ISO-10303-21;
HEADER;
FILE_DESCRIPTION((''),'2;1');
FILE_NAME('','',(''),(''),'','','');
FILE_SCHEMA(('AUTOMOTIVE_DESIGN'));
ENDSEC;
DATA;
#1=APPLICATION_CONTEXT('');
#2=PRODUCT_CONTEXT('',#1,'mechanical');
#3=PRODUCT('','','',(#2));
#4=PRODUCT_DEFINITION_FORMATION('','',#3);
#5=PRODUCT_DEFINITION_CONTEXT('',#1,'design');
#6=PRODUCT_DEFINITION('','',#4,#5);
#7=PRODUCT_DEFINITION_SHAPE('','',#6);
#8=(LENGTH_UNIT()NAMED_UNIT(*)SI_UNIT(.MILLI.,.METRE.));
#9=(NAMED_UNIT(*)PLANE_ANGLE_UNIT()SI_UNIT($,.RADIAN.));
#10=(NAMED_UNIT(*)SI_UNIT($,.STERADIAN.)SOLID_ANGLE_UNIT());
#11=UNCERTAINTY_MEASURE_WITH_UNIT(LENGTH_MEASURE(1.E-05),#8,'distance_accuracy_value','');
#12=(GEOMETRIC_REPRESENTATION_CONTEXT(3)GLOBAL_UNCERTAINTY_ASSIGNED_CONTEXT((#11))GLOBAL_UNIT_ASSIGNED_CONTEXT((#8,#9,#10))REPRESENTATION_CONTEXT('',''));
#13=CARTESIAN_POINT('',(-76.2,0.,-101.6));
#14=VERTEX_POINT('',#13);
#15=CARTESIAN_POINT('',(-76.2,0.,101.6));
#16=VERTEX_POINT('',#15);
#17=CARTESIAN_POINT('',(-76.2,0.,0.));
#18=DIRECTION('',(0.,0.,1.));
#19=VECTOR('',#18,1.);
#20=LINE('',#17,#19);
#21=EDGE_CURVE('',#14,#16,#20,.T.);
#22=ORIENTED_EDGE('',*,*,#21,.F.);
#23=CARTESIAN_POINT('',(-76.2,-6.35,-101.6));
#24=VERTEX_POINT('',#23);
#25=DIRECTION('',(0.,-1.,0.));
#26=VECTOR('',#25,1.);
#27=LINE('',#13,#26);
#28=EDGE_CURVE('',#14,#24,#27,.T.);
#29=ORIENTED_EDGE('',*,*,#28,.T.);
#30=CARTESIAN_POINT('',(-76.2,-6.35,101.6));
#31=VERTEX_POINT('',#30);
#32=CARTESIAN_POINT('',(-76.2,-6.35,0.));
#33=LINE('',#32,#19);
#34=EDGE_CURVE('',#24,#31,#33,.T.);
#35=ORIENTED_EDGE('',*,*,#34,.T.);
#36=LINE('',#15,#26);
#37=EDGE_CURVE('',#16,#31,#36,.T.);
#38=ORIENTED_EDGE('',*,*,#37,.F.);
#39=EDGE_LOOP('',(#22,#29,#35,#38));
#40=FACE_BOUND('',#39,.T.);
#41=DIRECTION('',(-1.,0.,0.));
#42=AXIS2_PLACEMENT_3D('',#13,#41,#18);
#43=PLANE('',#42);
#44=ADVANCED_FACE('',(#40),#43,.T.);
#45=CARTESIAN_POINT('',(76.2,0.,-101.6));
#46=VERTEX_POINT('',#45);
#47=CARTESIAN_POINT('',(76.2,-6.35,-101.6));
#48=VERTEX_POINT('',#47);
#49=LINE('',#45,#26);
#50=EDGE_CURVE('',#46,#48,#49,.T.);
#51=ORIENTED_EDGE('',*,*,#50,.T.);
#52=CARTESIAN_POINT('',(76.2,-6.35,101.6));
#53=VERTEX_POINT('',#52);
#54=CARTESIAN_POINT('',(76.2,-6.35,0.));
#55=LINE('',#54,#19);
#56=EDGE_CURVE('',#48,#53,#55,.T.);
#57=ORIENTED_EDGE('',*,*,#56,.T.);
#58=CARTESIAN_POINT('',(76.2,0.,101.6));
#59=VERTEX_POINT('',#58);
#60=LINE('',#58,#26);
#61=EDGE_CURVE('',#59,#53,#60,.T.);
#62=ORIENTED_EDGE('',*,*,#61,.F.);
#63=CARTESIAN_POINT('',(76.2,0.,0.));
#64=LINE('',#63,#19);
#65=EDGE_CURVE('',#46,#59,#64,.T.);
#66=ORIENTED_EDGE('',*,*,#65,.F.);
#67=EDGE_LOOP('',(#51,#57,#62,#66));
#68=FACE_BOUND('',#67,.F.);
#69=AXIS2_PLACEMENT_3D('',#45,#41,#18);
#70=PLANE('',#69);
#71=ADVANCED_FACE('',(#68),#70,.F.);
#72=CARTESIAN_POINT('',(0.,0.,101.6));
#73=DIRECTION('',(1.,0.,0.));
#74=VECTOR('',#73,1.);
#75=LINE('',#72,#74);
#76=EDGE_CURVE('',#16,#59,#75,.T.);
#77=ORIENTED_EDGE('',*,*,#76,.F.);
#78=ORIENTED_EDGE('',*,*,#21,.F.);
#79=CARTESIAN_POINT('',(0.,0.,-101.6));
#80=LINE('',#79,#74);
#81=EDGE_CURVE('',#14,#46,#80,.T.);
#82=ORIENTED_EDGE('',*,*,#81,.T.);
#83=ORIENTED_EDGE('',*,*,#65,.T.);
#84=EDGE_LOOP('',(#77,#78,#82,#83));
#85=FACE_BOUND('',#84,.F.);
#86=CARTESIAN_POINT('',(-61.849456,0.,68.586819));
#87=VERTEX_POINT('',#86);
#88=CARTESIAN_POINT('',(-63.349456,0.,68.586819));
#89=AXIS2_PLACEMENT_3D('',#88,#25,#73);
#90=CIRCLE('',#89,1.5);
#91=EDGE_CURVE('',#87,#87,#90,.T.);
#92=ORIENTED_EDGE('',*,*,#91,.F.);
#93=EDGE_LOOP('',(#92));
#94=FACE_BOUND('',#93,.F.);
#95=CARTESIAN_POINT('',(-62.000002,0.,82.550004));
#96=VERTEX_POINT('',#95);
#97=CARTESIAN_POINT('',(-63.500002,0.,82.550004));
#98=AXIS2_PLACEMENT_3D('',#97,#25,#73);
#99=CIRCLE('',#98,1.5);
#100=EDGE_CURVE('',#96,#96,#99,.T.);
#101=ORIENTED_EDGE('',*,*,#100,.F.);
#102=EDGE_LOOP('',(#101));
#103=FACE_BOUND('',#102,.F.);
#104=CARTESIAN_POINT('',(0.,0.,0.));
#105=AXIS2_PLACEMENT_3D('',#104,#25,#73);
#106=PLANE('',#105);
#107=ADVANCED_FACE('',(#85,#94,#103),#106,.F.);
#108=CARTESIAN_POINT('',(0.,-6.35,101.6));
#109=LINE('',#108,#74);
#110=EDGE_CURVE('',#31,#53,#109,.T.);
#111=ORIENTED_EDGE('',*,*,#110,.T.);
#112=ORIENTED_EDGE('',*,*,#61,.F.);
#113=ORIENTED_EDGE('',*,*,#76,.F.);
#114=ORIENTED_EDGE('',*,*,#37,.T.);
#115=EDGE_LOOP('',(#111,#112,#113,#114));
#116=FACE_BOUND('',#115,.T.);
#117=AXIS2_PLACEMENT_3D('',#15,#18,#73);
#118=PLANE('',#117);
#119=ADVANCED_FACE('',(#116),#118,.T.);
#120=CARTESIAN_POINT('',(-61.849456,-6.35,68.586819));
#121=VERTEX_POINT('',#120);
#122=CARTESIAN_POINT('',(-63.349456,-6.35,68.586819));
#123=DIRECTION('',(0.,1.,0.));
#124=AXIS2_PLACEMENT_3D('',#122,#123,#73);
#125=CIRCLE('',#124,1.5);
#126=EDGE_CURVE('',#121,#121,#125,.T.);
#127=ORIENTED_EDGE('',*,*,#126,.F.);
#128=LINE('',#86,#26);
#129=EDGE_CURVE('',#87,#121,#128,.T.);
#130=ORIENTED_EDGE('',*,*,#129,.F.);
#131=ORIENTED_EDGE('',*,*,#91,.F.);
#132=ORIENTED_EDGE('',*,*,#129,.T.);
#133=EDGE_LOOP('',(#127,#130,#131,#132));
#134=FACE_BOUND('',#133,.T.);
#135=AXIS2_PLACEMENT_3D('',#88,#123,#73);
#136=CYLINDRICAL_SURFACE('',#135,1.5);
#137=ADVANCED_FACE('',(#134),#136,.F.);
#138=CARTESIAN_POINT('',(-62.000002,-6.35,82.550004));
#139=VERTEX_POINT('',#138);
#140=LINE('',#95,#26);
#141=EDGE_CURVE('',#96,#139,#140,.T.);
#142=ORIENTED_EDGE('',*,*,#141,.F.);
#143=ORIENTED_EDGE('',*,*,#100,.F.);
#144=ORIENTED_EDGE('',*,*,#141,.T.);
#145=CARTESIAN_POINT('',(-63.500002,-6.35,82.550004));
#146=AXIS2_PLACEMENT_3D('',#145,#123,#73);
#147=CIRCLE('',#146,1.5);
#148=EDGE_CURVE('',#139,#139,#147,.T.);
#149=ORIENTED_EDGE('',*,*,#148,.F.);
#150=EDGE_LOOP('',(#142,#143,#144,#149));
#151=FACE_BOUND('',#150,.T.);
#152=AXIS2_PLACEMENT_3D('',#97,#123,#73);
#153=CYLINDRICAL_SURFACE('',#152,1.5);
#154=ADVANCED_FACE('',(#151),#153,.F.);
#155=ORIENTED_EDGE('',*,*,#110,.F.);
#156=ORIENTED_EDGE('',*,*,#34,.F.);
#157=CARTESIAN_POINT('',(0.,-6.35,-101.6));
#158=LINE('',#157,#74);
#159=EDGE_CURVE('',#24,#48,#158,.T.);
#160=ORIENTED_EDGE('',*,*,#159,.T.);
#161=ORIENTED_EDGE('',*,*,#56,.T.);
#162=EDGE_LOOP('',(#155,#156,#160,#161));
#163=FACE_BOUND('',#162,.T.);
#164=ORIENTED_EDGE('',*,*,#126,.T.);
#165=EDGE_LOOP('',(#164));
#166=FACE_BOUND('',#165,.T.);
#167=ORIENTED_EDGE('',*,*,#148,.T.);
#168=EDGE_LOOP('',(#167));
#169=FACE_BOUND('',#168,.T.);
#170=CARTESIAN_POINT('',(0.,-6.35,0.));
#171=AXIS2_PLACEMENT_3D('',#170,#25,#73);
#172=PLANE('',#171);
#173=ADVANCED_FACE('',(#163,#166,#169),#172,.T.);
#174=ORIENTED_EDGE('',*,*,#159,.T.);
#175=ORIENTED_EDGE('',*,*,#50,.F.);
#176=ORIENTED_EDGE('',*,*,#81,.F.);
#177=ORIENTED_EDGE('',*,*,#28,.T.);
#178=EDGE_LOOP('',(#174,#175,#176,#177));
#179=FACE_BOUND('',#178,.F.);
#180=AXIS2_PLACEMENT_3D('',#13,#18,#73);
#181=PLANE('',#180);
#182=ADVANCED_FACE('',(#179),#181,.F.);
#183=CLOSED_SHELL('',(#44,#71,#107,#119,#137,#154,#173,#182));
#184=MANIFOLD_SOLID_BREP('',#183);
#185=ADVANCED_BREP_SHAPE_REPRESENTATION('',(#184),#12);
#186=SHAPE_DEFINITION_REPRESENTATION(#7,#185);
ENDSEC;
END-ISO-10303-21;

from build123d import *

# Parameters (mm, degrees)
F0_W     = 152.4
F0_H     = 203.2
F1_DEPTH = 6.35
F2_R     = 1.5
F3_R     = 1.5
F4_DEPTH = 25.4


with BuildPart() as f1:
    # F0 (on Front) → F1 (new body)
    with BuildSketch(Plane.XZ):
        Rectangle(F0_W, F0_H)
    extrude(amount=F1_DEPTH)

    # F2 (on Front) + F3 (on Front) → F4 (cut)
    with BuildSketch(Plane.XZ):
        with Locations((-63.500002, 82.550004)):
            Circle(F2_R)
    with BuildSketch(Plane.XZ):
        with Locations((-63.349456, 68.586819)):
            Circle(F3_R)
    extrude(amount=F4_DEPTH, mode=Mode.SUBTRACT)


solid = f1.part
